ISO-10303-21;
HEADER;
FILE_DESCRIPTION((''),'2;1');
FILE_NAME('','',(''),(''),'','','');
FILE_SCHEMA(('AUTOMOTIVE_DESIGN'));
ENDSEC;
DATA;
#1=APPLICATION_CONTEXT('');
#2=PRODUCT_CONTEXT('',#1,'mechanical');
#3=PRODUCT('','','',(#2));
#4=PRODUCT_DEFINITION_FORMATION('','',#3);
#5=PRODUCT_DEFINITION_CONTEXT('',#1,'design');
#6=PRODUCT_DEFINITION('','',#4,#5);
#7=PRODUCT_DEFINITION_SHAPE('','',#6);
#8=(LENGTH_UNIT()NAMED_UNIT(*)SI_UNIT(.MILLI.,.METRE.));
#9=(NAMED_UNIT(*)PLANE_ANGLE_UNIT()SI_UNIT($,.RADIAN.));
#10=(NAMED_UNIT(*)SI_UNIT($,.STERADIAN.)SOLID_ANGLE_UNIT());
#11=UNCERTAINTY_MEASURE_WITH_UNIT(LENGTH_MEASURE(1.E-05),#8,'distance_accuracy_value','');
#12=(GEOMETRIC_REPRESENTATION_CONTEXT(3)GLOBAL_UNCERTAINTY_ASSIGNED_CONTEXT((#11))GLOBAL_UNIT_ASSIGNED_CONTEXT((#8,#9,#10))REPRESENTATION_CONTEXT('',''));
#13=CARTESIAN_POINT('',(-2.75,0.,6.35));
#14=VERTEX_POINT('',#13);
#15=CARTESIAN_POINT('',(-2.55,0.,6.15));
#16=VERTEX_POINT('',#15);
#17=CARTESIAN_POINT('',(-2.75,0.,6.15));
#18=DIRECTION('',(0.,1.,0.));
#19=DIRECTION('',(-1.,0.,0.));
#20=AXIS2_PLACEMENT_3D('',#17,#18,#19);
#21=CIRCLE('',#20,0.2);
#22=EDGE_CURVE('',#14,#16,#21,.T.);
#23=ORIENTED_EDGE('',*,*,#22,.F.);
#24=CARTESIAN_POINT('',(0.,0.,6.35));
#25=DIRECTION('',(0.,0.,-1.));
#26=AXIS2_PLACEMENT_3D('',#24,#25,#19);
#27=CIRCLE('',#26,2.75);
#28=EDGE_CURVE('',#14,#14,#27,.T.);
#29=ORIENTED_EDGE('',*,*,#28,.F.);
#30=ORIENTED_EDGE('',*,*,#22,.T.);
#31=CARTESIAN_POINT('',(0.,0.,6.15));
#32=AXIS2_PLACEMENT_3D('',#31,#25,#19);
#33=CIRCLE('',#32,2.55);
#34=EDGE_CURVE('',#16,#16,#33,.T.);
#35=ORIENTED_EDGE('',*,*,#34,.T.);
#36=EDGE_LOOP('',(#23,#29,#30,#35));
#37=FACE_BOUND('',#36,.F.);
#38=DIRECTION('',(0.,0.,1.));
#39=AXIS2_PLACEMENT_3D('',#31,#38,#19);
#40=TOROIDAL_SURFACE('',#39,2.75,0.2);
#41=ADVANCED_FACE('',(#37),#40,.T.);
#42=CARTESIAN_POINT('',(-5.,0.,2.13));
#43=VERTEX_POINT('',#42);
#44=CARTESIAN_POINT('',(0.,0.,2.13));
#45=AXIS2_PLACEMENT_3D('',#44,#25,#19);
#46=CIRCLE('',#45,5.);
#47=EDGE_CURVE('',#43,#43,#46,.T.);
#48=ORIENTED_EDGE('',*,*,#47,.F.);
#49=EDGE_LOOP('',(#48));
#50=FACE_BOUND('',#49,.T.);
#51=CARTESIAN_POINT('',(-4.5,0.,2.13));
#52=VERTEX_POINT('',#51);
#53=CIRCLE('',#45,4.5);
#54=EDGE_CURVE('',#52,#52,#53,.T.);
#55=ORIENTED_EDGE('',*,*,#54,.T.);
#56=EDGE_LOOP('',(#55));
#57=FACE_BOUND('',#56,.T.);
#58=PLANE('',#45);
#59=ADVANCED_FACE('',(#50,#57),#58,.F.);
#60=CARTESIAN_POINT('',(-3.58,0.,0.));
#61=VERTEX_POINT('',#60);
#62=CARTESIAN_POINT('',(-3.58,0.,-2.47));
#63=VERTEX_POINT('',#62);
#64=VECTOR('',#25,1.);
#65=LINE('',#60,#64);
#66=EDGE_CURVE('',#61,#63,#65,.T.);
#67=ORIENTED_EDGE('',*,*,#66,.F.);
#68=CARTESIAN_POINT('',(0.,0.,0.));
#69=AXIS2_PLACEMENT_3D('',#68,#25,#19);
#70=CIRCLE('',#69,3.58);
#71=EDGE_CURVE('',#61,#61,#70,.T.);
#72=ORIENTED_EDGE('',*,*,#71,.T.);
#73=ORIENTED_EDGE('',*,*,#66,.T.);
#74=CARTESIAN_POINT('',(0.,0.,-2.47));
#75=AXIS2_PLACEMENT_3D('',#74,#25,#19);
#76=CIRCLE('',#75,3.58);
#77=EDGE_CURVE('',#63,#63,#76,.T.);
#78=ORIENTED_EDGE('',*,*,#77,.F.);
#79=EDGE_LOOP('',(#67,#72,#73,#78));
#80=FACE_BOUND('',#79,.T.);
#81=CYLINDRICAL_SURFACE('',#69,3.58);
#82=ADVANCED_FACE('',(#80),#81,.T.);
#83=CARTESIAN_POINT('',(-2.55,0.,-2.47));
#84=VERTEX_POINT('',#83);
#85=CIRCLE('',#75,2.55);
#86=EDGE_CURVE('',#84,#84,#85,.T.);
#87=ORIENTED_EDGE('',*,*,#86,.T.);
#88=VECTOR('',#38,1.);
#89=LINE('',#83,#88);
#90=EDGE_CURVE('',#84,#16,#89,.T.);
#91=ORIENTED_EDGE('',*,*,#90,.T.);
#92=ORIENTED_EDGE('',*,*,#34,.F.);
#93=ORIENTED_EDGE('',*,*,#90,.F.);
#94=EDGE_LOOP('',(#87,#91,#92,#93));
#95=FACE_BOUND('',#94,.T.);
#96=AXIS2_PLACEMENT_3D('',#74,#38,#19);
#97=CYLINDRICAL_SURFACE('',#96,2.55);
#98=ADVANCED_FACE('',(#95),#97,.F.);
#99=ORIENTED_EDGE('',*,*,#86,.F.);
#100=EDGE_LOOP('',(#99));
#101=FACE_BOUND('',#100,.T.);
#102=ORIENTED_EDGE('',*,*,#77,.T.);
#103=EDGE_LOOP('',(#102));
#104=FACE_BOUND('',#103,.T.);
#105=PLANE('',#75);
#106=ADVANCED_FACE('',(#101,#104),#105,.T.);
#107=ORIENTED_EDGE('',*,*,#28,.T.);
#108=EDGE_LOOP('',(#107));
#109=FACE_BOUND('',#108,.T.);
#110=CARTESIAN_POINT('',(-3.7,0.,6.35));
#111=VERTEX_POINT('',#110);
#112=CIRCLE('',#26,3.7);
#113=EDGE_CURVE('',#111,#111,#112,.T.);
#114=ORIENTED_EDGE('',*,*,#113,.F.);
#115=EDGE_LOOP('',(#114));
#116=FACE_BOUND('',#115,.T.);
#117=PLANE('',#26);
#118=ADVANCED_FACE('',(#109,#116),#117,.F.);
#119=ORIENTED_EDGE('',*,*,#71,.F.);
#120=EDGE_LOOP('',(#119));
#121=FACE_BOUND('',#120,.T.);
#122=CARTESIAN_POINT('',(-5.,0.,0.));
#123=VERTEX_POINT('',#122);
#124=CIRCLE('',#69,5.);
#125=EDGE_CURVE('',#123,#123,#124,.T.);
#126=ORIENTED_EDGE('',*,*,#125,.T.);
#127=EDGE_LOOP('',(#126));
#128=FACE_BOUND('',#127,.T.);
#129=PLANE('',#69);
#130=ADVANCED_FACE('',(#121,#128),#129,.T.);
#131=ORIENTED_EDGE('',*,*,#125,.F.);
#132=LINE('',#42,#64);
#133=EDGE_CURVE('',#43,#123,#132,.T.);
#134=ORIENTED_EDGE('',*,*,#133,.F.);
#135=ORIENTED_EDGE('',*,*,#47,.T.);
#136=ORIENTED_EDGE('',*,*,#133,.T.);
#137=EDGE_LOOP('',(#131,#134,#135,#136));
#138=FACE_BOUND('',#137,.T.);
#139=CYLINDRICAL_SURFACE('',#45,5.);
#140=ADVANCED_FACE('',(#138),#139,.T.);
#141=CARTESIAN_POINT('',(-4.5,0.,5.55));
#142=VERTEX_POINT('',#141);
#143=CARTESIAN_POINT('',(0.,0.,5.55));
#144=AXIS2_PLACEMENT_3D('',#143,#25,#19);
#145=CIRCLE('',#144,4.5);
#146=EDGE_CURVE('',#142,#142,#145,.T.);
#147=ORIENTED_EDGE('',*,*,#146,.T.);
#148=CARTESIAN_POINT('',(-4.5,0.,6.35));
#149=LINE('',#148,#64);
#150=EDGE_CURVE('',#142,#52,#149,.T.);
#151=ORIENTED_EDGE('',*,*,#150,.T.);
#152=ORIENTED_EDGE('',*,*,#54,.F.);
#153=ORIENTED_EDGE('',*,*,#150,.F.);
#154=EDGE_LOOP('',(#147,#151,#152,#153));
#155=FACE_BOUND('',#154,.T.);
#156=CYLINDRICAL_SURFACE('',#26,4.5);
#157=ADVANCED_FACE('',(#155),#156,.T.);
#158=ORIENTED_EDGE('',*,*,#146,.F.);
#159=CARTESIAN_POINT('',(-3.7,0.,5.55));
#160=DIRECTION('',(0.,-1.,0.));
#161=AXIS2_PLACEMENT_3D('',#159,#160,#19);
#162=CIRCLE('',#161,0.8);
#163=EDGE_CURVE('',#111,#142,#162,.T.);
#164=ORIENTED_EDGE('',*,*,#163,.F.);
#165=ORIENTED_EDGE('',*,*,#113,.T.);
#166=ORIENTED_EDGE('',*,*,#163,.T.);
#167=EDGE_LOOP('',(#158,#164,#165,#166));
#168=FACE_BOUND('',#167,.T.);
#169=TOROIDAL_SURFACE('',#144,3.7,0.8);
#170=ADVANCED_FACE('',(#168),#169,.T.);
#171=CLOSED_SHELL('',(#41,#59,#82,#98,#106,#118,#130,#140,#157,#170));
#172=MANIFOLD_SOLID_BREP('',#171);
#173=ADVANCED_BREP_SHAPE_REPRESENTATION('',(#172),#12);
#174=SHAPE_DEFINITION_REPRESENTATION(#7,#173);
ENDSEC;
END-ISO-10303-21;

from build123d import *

# Parameters (mm, degrees)
F2_R = 0.8
F3_R = 0.2


with BuildPart() as f1:
    # F0 (on Front) → F1 (revolve)
    with BuildSketch(Plane.XZ):
        Polygon((-2.55, -2.47), (-2.55, 6.35), (-4.5, 6.35), (-4.5, 2.13), (-5, 2.13), (-5, 0), (-3.58, 0), (-3.58, -2.47), align=None)
    revolve(axis=Axis((0, 0, -0.888866), (0, 0, -1)))

    # F2
    f2_edges = [f1.edges().sort_by_distance(p)[0] for p in [
        (4.5, 0, 6.35),
    ]]
    fillet(f2_edges, radius=F2_R)

    # F3
    f3_edges = [f1.edges().sort_by_distance(p)[0] for p in [
        (2.55, 0, 6.35),
    ]]
    fillet(f3_edges, radius=F3_R)


solid = f1.part
